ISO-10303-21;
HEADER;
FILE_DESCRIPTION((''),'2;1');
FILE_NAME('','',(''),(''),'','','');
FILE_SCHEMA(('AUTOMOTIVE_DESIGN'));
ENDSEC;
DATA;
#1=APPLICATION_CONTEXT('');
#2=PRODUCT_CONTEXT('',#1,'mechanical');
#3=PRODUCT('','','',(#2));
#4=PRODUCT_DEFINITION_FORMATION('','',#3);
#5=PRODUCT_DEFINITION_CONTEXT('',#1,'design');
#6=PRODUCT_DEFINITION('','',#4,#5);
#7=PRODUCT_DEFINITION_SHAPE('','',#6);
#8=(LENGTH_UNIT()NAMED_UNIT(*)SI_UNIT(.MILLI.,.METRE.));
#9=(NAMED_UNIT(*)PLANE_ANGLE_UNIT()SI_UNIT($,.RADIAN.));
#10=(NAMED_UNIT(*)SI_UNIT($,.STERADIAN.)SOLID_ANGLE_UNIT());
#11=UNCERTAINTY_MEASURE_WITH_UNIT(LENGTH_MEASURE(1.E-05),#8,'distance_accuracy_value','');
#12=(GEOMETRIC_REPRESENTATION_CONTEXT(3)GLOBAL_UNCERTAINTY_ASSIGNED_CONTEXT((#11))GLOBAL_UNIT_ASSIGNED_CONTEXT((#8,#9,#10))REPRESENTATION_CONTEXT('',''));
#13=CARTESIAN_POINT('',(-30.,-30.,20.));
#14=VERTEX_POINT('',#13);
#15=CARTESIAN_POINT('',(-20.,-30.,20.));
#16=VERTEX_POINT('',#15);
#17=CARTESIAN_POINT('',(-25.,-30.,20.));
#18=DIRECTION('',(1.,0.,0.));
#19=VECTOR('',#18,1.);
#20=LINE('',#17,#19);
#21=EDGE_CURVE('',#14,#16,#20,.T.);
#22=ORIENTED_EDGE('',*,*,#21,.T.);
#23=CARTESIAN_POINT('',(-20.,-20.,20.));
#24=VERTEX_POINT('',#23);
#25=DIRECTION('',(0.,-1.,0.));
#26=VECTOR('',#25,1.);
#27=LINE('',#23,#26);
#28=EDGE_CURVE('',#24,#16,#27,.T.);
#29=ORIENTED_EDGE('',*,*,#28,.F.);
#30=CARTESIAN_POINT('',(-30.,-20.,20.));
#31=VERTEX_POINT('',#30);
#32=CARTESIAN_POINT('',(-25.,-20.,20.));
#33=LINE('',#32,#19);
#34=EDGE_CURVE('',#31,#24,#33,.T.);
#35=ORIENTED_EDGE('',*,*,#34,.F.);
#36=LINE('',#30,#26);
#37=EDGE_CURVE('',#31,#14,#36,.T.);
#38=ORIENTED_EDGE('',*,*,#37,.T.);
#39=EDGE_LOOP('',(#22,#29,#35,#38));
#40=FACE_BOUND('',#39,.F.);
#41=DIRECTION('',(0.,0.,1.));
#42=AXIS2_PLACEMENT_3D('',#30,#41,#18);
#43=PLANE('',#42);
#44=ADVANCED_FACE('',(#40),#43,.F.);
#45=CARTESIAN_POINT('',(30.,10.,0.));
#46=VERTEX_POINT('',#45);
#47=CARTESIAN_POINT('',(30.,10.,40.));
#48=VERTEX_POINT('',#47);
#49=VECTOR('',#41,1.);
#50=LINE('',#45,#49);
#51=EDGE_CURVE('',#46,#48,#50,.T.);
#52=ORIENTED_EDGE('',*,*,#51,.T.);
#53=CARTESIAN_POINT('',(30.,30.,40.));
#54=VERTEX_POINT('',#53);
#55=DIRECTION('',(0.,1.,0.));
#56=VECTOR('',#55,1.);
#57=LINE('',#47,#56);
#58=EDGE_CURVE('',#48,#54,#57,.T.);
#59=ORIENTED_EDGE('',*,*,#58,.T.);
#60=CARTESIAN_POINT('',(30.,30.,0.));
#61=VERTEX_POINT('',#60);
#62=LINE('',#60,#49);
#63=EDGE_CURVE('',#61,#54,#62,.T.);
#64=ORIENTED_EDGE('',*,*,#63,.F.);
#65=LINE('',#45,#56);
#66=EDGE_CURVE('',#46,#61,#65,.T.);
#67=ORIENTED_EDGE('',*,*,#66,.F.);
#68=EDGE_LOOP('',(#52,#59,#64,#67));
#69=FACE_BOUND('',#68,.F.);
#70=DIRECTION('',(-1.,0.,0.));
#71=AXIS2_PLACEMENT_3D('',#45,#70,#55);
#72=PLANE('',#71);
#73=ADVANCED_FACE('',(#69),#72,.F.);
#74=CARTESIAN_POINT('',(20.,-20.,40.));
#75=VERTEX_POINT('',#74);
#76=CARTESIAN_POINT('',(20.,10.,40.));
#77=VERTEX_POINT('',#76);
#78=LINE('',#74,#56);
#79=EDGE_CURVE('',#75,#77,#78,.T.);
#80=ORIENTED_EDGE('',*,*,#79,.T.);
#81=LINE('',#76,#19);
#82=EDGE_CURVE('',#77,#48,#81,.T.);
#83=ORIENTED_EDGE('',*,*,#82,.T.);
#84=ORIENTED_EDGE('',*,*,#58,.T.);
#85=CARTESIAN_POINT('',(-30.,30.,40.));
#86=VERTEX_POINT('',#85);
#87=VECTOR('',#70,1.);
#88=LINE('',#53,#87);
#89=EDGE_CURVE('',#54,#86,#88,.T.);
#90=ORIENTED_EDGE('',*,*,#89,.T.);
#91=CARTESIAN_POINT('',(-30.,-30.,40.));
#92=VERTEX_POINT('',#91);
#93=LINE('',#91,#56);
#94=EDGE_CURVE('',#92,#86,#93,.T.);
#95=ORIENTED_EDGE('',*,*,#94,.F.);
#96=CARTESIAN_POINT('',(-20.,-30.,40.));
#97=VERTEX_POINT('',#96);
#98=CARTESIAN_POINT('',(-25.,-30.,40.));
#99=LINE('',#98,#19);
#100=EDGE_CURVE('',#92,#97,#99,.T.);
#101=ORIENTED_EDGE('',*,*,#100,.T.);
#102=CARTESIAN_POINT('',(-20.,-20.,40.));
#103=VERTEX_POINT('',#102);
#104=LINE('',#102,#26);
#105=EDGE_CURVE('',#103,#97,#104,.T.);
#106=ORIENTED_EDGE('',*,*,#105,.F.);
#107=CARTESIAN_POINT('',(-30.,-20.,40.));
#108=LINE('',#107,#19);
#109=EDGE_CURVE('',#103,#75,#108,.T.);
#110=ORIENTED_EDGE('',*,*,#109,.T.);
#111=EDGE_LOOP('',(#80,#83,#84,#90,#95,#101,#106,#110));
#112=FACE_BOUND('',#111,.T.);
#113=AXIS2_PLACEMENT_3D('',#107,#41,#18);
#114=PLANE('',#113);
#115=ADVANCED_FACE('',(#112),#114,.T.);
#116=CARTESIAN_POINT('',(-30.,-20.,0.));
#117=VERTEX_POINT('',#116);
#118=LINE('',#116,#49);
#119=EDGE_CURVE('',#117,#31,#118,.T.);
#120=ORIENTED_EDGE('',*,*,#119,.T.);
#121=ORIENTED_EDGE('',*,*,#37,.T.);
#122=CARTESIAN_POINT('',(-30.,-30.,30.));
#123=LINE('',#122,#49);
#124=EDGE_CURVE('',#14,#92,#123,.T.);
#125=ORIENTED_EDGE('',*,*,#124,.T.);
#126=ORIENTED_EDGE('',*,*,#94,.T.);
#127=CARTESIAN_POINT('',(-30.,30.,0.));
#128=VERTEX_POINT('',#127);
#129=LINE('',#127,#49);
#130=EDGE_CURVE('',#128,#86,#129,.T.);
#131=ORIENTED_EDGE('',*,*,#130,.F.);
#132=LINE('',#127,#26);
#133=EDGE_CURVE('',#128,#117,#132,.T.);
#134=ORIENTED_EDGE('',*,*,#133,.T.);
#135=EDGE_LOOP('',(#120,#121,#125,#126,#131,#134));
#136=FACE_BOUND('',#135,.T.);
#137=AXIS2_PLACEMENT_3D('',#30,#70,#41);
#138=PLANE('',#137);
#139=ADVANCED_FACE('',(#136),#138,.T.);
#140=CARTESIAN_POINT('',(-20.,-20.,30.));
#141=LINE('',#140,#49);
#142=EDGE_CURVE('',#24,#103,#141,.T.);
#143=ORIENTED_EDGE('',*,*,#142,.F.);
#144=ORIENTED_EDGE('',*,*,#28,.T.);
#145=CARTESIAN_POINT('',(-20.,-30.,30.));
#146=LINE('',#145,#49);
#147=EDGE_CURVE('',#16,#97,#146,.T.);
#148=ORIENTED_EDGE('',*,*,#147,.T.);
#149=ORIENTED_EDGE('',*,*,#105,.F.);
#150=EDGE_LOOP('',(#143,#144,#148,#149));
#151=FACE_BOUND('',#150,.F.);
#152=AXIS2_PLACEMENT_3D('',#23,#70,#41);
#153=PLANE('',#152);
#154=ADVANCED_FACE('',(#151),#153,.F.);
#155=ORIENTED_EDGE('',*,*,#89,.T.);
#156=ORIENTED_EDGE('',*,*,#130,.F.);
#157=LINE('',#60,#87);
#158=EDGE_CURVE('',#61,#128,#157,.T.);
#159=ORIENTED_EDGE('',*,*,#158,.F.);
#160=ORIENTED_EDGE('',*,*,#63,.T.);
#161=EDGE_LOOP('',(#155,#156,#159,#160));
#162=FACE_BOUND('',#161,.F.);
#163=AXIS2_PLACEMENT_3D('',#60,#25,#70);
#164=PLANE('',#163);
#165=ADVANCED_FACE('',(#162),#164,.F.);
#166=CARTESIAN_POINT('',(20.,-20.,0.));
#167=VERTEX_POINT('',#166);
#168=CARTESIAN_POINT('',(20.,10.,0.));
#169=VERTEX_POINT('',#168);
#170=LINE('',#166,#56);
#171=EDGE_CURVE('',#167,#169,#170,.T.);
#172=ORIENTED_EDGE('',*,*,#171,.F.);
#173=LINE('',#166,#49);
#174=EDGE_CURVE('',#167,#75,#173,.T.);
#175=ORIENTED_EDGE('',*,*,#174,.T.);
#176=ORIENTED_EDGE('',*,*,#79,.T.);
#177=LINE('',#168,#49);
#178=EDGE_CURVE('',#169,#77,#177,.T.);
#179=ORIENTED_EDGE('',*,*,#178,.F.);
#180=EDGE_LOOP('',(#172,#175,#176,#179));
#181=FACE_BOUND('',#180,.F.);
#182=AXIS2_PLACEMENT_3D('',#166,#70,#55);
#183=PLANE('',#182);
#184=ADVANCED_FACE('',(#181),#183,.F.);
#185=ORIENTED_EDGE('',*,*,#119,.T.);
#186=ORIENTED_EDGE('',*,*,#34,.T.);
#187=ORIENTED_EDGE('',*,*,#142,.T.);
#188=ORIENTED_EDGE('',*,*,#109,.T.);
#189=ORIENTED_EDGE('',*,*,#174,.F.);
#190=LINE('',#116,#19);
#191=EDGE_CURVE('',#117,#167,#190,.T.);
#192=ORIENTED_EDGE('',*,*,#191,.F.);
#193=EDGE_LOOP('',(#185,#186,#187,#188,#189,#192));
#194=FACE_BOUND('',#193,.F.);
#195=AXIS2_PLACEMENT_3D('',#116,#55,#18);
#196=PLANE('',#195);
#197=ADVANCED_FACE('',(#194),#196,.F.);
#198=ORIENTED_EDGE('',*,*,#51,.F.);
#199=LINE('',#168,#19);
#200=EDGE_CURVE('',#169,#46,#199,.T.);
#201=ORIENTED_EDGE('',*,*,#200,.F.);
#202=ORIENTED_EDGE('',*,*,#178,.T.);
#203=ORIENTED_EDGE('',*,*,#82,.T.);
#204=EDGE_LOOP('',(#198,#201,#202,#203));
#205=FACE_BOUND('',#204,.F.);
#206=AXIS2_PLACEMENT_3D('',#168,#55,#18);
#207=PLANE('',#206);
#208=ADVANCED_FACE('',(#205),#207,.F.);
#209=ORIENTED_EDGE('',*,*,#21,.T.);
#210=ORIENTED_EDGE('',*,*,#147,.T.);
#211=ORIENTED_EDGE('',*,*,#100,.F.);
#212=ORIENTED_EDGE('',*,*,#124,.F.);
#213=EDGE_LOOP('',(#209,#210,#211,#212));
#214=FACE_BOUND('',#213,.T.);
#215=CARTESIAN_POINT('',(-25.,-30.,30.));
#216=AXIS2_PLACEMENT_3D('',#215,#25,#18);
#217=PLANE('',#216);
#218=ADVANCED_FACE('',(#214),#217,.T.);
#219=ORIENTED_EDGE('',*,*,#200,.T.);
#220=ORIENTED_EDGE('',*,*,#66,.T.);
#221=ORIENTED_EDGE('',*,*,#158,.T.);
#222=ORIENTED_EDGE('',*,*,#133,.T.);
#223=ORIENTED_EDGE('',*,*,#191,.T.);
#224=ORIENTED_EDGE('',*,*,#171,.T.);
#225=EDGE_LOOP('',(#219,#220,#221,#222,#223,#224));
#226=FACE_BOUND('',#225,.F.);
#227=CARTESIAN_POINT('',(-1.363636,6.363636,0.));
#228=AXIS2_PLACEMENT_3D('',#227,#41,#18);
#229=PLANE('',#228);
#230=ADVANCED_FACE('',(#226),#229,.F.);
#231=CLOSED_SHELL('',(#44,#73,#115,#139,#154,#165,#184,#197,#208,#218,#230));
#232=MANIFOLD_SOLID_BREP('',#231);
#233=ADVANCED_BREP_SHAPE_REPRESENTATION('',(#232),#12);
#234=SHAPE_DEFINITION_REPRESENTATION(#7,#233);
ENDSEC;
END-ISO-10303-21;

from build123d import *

# Parameters (mm, degrees)
F1_DEPTH = 40
F2_W     = 10
F2_H     = 20
F3_DEPTH = 10


with BuildPart() as f1:
    # F0 (on Top) → F1 (new body)
    with BuildSketch(Plane.XY):
        Polygon((30, 10), (30, 30), (-30, 30), (-30, -20), (20, -20), (20, 10), align=None)
    extrude(amount=F1_DEPTH)

    # F2 (on face) → F3 (join)
    with BuildSketch(Plane.XZ.offset(20)):
        with Locations((-25, 30)):
            Rectangle(F2_W, F2_H)
    extrude(amount=F3_DEPTH)


solid = f1.part
